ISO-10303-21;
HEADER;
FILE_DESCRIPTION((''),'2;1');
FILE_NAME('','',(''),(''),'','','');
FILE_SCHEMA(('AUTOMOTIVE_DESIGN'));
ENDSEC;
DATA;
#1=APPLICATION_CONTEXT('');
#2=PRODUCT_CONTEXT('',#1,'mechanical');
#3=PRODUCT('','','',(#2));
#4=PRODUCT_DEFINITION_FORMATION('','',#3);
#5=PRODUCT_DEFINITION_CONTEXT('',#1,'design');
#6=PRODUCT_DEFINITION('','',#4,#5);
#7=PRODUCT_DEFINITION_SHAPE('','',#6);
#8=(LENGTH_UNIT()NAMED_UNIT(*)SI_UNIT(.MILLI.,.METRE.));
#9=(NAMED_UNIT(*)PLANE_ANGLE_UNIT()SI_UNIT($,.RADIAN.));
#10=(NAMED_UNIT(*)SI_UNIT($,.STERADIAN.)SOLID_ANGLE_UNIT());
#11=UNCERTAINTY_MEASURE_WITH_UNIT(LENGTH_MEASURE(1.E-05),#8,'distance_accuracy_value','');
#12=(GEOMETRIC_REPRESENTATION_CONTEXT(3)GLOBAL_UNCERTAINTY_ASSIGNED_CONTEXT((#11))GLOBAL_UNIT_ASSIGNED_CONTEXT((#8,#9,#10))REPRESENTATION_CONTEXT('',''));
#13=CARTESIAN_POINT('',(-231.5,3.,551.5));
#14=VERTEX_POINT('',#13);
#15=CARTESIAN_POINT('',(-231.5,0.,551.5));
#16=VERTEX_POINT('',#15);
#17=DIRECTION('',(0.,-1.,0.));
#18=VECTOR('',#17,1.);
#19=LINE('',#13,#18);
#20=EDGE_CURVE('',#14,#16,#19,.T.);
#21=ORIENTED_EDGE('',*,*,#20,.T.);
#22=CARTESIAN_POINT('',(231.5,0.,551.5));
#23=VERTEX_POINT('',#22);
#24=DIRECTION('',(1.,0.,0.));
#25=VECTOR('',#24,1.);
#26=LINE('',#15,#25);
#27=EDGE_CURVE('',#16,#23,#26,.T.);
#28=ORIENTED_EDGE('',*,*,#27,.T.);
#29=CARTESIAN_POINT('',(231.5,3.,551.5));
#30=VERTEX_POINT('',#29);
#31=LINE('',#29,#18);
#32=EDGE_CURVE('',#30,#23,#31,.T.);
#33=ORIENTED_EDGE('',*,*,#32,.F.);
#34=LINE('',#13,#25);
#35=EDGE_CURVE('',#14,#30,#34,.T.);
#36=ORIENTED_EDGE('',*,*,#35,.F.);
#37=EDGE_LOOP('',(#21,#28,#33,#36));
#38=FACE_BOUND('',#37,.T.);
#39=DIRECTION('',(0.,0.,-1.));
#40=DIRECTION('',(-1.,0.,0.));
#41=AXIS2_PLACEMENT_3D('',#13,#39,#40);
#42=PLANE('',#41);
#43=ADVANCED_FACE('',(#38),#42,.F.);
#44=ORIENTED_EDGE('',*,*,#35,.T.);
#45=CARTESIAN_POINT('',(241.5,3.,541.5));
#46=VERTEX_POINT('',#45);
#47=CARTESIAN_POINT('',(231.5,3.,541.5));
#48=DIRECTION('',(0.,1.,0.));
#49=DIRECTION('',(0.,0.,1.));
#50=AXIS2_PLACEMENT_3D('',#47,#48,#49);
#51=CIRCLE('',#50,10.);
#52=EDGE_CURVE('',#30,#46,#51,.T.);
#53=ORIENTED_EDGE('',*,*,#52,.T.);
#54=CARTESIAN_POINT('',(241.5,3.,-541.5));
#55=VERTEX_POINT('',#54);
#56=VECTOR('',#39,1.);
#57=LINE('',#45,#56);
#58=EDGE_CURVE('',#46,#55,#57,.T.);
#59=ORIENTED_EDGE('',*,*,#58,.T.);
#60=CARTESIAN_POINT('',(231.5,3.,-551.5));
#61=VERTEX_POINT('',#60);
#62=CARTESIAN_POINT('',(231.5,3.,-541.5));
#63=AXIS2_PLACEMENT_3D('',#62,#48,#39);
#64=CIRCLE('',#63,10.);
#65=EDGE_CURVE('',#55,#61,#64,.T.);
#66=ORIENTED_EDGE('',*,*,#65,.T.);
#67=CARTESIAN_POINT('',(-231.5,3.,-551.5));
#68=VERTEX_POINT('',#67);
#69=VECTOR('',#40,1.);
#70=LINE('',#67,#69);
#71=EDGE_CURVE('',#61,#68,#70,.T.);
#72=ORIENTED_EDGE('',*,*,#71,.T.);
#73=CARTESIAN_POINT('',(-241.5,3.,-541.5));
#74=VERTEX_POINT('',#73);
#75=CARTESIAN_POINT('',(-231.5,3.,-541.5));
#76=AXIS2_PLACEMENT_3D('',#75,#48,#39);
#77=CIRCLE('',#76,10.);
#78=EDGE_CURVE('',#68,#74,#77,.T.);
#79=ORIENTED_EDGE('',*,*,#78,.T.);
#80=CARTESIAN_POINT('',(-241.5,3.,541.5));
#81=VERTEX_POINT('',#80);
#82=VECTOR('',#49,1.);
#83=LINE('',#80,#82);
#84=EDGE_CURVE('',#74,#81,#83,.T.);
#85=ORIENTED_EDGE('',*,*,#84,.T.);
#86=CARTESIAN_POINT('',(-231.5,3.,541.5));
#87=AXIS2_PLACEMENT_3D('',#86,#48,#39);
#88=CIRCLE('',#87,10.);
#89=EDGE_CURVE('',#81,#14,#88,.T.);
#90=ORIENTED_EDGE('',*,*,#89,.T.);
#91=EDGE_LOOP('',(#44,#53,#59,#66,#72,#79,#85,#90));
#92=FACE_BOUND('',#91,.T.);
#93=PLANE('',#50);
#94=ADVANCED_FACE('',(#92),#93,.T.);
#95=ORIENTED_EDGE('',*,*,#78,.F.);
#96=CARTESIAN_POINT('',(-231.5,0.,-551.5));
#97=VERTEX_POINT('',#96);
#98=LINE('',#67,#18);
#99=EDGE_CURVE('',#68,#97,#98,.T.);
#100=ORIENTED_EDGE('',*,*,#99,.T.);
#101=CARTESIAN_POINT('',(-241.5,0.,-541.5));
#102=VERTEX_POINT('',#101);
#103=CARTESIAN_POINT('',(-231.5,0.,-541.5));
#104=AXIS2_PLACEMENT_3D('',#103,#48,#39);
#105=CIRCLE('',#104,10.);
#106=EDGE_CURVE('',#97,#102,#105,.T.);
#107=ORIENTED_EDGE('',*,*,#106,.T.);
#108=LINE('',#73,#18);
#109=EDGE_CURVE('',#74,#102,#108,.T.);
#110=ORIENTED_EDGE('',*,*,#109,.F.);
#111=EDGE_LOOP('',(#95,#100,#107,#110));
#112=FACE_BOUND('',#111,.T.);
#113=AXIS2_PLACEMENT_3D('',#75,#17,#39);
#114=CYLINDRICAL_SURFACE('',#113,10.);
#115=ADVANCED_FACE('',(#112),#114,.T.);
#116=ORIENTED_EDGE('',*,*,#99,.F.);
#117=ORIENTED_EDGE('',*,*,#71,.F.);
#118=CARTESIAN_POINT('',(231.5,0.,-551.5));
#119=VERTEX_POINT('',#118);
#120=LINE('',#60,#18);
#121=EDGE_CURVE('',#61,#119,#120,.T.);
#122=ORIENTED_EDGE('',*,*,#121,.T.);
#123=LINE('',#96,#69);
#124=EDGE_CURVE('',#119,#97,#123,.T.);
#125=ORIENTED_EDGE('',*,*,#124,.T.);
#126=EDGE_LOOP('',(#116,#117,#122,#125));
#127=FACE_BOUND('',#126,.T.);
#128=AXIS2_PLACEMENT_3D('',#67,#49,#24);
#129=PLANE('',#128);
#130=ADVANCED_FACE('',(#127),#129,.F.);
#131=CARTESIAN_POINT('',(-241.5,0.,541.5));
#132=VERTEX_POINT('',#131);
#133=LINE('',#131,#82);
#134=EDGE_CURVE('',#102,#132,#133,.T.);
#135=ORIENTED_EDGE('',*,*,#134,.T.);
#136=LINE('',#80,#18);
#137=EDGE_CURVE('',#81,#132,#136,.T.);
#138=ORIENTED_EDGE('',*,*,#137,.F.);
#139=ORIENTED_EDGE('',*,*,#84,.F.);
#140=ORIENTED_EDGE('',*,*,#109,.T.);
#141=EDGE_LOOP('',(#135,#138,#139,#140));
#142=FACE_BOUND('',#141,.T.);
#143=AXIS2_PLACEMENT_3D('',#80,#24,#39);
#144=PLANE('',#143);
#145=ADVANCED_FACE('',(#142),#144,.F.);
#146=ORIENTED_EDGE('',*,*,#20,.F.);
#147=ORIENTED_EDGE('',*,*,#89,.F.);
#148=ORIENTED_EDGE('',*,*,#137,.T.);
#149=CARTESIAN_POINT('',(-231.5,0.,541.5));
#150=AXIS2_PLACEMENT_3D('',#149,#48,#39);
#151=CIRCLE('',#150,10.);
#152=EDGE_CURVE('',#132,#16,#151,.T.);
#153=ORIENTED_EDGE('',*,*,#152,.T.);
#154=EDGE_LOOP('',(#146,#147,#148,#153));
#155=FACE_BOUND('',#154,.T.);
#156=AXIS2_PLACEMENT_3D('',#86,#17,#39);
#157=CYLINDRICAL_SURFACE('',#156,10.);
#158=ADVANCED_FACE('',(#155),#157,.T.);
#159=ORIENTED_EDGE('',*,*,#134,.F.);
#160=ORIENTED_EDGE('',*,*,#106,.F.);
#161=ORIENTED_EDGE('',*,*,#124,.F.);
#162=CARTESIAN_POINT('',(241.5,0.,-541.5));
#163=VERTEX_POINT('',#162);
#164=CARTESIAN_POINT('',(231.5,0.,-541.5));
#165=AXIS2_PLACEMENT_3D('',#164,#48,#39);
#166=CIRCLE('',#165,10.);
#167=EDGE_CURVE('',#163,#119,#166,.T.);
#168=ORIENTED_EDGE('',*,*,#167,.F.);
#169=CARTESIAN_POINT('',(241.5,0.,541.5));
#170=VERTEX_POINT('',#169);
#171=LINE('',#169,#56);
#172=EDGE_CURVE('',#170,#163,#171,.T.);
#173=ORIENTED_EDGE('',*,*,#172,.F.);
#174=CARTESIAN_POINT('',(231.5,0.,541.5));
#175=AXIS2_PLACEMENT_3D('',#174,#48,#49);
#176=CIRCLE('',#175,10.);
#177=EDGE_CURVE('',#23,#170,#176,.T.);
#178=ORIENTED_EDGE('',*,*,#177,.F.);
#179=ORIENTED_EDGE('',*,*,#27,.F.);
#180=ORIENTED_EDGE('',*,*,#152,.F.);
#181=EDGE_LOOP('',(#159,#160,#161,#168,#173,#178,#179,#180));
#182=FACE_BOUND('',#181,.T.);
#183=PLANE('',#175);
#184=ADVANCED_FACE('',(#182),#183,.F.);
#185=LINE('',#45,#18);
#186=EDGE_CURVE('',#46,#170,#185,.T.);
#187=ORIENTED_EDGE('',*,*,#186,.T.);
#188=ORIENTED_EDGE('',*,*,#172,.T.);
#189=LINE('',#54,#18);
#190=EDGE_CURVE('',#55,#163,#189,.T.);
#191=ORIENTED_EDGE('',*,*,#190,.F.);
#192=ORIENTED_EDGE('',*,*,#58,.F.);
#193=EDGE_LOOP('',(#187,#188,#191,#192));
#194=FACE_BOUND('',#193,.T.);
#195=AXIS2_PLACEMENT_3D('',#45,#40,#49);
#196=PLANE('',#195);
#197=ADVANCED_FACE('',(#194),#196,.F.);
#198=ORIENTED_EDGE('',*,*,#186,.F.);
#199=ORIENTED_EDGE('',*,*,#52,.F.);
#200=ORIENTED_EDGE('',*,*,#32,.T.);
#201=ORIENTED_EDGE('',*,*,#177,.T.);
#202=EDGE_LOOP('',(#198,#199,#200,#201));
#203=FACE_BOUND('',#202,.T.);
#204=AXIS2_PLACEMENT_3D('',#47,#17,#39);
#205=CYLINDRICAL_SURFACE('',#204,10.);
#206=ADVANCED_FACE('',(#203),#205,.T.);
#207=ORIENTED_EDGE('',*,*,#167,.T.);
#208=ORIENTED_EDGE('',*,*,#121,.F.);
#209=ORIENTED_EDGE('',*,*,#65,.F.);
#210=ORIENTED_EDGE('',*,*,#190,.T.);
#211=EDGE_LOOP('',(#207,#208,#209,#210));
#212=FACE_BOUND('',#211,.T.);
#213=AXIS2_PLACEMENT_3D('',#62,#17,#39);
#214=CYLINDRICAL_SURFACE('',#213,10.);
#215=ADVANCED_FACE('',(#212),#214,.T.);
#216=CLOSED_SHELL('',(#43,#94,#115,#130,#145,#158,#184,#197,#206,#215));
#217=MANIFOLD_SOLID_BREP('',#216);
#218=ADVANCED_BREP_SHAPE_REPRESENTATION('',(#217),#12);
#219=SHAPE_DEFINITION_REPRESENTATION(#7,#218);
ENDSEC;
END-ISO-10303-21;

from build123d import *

# Parameters (mm, degrees)
BOSS_EXTRUDE1_DEPTH = 3


with BuildPart() as part:
    # Sketch1 → Boss-Extrude1 (new body)
    with BuildSketch(Plane(origin=(0, 0, 0), x_dir=(1, 0, 0), z_dir=(0, 1, 0))):
        with BuildLine():
            Line((-231.5, -551.5), (231.5, -551.5))
            ThreePointArc((231.5, -551.5), (238.571067812, -548.571067812), (241.5, -541.5))
            Line((241.5, -541.5), (241.5, 541.5))
            ThreePointArc((241.5, 541.5), (238.571067812, 548.571067812), (231.5, 551.5))
            Line((231.5, 551.5), (-231.5, 551.5))
            ThreePointArc((-231.5, 551.5), (-238.571067812, 548.571067812), (-241.5, 541.5))
            Line((-241.5, 541.5), (-241.5, -541.5))
            ThreePointArc((-241.5, -541.5), (-238.571067812, -548.571067812), (-231.5, -551.5))
        make_face()
    extrude(amount=BOSS_EXTRUDE1_DEPTH)


solid = part.part
